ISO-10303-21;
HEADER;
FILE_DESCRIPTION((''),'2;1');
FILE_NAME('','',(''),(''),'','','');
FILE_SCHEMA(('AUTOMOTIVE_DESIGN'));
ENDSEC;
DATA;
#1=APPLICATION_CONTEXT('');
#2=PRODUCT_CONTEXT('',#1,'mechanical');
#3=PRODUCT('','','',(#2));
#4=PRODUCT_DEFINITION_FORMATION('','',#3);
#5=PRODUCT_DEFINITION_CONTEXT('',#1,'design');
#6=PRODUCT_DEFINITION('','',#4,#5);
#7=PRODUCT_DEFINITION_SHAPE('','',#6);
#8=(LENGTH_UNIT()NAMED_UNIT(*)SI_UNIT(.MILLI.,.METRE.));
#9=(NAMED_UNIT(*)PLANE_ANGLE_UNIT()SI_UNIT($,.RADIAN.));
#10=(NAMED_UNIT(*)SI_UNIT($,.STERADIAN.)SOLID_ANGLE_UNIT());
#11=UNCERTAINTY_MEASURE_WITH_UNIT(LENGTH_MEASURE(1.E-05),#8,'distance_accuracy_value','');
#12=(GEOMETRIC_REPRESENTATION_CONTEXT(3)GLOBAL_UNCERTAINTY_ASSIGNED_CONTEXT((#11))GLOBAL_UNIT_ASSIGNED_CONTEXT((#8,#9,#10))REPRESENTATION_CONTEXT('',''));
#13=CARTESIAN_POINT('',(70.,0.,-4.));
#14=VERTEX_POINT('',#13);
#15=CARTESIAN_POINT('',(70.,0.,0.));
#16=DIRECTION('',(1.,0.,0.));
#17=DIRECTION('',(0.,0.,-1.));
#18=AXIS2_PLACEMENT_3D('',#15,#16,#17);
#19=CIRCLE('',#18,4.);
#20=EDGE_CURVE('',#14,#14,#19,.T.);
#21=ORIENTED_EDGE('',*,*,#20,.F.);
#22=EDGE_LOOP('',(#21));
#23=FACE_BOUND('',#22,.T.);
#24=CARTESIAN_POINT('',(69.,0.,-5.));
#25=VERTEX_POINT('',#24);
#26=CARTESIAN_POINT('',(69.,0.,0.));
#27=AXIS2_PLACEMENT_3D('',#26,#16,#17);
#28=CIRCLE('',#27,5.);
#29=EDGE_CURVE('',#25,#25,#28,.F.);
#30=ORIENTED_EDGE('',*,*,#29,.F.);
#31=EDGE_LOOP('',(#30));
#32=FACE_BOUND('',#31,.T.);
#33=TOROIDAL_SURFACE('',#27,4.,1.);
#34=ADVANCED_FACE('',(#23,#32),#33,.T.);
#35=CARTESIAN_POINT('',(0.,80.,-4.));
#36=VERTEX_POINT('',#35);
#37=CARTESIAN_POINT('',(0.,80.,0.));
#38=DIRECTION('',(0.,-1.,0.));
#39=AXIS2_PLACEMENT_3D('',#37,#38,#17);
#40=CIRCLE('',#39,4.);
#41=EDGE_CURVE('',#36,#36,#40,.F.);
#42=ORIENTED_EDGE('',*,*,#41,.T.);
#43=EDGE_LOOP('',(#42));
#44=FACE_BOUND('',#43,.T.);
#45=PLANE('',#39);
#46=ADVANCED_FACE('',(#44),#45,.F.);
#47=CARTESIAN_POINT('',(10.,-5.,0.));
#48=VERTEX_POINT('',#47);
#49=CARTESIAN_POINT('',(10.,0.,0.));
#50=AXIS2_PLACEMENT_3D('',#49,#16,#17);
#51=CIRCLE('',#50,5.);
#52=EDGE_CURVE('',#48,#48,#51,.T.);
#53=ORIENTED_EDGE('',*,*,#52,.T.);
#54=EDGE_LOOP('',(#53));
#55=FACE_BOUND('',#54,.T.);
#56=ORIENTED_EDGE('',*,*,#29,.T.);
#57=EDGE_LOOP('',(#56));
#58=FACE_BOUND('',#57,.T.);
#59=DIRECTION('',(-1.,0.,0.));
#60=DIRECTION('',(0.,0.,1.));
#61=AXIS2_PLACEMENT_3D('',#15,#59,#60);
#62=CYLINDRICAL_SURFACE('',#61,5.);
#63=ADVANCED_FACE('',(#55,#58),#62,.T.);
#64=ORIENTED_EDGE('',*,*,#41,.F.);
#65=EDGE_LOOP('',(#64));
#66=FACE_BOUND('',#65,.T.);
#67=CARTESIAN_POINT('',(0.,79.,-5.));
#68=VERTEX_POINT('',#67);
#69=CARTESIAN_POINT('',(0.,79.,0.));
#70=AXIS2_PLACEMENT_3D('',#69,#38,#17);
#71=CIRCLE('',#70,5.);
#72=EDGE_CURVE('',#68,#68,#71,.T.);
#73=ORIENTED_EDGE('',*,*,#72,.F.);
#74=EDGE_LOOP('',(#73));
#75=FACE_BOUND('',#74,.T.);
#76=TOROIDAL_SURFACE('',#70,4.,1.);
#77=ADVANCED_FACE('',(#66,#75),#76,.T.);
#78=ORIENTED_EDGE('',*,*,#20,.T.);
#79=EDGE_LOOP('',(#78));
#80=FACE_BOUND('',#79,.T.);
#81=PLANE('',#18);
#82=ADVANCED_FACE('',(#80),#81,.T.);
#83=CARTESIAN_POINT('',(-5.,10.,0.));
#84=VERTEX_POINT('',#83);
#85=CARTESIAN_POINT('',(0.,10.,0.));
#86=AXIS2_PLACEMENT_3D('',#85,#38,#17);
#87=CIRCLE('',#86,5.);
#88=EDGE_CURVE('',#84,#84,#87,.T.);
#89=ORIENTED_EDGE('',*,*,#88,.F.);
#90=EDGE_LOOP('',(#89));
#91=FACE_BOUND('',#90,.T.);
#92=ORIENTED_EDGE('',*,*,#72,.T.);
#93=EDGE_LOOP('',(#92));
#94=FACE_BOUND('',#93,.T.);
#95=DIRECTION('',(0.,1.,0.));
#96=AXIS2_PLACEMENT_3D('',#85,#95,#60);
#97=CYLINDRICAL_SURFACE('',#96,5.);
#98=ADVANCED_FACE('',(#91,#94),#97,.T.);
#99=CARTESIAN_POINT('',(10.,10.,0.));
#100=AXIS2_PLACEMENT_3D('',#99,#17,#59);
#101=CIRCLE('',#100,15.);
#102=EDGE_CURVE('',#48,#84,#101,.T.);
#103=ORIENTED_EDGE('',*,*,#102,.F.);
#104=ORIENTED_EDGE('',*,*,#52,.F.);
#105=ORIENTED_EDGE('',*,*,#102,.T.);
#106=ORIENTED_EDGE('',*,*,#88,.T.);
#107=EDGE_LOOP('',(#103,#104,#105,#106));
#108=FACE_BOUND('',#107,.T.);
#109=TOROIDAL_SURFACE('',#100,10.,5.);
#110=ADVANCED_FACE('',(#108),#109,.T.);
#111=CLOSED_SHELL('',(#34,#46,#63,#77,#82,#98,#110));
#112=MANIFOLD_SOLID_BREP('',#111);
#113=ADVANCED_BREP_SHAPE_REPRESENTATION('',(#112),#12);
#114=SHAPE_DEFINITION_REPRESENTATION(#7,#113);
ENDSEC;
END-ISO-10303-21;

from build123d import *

# Parameters (mm, degrees)
SWEEP1_PROFILE_R = 5
FILLET1_R        = 1


with BuildPart() as part:
    # Sweep1: sweep along a path in Sketch1
    with BuildLine(Plane.XY) as sweep1_path:
        Line((70, 0), (10, 0))
        ThreePointArc((10, 0), (2.928932188, 2.928932188), (0, 10))
        Line((0, 10), (0, 80))
    # Sweep1 profile (on start of the path) → Sweep1 (sweep)
    with BuildSketch(Plane(origin=(70, 0, 0), x_dir=(0, 0, -1), z_dir=(-1, 0, 0))):
        Circle(SWEEP1_PROFILE_R)
    sweep(path=sweep1_path.line)

    # Fillet1
    fillet1_edges = [part.edges().sort_by_distance(p)[0] for p in [
        (0, 80, 5),
        (70, 0, 5),
    ]]
    fillet(fillet1_edges, radius=FILLET1_R)


solid = part.part
